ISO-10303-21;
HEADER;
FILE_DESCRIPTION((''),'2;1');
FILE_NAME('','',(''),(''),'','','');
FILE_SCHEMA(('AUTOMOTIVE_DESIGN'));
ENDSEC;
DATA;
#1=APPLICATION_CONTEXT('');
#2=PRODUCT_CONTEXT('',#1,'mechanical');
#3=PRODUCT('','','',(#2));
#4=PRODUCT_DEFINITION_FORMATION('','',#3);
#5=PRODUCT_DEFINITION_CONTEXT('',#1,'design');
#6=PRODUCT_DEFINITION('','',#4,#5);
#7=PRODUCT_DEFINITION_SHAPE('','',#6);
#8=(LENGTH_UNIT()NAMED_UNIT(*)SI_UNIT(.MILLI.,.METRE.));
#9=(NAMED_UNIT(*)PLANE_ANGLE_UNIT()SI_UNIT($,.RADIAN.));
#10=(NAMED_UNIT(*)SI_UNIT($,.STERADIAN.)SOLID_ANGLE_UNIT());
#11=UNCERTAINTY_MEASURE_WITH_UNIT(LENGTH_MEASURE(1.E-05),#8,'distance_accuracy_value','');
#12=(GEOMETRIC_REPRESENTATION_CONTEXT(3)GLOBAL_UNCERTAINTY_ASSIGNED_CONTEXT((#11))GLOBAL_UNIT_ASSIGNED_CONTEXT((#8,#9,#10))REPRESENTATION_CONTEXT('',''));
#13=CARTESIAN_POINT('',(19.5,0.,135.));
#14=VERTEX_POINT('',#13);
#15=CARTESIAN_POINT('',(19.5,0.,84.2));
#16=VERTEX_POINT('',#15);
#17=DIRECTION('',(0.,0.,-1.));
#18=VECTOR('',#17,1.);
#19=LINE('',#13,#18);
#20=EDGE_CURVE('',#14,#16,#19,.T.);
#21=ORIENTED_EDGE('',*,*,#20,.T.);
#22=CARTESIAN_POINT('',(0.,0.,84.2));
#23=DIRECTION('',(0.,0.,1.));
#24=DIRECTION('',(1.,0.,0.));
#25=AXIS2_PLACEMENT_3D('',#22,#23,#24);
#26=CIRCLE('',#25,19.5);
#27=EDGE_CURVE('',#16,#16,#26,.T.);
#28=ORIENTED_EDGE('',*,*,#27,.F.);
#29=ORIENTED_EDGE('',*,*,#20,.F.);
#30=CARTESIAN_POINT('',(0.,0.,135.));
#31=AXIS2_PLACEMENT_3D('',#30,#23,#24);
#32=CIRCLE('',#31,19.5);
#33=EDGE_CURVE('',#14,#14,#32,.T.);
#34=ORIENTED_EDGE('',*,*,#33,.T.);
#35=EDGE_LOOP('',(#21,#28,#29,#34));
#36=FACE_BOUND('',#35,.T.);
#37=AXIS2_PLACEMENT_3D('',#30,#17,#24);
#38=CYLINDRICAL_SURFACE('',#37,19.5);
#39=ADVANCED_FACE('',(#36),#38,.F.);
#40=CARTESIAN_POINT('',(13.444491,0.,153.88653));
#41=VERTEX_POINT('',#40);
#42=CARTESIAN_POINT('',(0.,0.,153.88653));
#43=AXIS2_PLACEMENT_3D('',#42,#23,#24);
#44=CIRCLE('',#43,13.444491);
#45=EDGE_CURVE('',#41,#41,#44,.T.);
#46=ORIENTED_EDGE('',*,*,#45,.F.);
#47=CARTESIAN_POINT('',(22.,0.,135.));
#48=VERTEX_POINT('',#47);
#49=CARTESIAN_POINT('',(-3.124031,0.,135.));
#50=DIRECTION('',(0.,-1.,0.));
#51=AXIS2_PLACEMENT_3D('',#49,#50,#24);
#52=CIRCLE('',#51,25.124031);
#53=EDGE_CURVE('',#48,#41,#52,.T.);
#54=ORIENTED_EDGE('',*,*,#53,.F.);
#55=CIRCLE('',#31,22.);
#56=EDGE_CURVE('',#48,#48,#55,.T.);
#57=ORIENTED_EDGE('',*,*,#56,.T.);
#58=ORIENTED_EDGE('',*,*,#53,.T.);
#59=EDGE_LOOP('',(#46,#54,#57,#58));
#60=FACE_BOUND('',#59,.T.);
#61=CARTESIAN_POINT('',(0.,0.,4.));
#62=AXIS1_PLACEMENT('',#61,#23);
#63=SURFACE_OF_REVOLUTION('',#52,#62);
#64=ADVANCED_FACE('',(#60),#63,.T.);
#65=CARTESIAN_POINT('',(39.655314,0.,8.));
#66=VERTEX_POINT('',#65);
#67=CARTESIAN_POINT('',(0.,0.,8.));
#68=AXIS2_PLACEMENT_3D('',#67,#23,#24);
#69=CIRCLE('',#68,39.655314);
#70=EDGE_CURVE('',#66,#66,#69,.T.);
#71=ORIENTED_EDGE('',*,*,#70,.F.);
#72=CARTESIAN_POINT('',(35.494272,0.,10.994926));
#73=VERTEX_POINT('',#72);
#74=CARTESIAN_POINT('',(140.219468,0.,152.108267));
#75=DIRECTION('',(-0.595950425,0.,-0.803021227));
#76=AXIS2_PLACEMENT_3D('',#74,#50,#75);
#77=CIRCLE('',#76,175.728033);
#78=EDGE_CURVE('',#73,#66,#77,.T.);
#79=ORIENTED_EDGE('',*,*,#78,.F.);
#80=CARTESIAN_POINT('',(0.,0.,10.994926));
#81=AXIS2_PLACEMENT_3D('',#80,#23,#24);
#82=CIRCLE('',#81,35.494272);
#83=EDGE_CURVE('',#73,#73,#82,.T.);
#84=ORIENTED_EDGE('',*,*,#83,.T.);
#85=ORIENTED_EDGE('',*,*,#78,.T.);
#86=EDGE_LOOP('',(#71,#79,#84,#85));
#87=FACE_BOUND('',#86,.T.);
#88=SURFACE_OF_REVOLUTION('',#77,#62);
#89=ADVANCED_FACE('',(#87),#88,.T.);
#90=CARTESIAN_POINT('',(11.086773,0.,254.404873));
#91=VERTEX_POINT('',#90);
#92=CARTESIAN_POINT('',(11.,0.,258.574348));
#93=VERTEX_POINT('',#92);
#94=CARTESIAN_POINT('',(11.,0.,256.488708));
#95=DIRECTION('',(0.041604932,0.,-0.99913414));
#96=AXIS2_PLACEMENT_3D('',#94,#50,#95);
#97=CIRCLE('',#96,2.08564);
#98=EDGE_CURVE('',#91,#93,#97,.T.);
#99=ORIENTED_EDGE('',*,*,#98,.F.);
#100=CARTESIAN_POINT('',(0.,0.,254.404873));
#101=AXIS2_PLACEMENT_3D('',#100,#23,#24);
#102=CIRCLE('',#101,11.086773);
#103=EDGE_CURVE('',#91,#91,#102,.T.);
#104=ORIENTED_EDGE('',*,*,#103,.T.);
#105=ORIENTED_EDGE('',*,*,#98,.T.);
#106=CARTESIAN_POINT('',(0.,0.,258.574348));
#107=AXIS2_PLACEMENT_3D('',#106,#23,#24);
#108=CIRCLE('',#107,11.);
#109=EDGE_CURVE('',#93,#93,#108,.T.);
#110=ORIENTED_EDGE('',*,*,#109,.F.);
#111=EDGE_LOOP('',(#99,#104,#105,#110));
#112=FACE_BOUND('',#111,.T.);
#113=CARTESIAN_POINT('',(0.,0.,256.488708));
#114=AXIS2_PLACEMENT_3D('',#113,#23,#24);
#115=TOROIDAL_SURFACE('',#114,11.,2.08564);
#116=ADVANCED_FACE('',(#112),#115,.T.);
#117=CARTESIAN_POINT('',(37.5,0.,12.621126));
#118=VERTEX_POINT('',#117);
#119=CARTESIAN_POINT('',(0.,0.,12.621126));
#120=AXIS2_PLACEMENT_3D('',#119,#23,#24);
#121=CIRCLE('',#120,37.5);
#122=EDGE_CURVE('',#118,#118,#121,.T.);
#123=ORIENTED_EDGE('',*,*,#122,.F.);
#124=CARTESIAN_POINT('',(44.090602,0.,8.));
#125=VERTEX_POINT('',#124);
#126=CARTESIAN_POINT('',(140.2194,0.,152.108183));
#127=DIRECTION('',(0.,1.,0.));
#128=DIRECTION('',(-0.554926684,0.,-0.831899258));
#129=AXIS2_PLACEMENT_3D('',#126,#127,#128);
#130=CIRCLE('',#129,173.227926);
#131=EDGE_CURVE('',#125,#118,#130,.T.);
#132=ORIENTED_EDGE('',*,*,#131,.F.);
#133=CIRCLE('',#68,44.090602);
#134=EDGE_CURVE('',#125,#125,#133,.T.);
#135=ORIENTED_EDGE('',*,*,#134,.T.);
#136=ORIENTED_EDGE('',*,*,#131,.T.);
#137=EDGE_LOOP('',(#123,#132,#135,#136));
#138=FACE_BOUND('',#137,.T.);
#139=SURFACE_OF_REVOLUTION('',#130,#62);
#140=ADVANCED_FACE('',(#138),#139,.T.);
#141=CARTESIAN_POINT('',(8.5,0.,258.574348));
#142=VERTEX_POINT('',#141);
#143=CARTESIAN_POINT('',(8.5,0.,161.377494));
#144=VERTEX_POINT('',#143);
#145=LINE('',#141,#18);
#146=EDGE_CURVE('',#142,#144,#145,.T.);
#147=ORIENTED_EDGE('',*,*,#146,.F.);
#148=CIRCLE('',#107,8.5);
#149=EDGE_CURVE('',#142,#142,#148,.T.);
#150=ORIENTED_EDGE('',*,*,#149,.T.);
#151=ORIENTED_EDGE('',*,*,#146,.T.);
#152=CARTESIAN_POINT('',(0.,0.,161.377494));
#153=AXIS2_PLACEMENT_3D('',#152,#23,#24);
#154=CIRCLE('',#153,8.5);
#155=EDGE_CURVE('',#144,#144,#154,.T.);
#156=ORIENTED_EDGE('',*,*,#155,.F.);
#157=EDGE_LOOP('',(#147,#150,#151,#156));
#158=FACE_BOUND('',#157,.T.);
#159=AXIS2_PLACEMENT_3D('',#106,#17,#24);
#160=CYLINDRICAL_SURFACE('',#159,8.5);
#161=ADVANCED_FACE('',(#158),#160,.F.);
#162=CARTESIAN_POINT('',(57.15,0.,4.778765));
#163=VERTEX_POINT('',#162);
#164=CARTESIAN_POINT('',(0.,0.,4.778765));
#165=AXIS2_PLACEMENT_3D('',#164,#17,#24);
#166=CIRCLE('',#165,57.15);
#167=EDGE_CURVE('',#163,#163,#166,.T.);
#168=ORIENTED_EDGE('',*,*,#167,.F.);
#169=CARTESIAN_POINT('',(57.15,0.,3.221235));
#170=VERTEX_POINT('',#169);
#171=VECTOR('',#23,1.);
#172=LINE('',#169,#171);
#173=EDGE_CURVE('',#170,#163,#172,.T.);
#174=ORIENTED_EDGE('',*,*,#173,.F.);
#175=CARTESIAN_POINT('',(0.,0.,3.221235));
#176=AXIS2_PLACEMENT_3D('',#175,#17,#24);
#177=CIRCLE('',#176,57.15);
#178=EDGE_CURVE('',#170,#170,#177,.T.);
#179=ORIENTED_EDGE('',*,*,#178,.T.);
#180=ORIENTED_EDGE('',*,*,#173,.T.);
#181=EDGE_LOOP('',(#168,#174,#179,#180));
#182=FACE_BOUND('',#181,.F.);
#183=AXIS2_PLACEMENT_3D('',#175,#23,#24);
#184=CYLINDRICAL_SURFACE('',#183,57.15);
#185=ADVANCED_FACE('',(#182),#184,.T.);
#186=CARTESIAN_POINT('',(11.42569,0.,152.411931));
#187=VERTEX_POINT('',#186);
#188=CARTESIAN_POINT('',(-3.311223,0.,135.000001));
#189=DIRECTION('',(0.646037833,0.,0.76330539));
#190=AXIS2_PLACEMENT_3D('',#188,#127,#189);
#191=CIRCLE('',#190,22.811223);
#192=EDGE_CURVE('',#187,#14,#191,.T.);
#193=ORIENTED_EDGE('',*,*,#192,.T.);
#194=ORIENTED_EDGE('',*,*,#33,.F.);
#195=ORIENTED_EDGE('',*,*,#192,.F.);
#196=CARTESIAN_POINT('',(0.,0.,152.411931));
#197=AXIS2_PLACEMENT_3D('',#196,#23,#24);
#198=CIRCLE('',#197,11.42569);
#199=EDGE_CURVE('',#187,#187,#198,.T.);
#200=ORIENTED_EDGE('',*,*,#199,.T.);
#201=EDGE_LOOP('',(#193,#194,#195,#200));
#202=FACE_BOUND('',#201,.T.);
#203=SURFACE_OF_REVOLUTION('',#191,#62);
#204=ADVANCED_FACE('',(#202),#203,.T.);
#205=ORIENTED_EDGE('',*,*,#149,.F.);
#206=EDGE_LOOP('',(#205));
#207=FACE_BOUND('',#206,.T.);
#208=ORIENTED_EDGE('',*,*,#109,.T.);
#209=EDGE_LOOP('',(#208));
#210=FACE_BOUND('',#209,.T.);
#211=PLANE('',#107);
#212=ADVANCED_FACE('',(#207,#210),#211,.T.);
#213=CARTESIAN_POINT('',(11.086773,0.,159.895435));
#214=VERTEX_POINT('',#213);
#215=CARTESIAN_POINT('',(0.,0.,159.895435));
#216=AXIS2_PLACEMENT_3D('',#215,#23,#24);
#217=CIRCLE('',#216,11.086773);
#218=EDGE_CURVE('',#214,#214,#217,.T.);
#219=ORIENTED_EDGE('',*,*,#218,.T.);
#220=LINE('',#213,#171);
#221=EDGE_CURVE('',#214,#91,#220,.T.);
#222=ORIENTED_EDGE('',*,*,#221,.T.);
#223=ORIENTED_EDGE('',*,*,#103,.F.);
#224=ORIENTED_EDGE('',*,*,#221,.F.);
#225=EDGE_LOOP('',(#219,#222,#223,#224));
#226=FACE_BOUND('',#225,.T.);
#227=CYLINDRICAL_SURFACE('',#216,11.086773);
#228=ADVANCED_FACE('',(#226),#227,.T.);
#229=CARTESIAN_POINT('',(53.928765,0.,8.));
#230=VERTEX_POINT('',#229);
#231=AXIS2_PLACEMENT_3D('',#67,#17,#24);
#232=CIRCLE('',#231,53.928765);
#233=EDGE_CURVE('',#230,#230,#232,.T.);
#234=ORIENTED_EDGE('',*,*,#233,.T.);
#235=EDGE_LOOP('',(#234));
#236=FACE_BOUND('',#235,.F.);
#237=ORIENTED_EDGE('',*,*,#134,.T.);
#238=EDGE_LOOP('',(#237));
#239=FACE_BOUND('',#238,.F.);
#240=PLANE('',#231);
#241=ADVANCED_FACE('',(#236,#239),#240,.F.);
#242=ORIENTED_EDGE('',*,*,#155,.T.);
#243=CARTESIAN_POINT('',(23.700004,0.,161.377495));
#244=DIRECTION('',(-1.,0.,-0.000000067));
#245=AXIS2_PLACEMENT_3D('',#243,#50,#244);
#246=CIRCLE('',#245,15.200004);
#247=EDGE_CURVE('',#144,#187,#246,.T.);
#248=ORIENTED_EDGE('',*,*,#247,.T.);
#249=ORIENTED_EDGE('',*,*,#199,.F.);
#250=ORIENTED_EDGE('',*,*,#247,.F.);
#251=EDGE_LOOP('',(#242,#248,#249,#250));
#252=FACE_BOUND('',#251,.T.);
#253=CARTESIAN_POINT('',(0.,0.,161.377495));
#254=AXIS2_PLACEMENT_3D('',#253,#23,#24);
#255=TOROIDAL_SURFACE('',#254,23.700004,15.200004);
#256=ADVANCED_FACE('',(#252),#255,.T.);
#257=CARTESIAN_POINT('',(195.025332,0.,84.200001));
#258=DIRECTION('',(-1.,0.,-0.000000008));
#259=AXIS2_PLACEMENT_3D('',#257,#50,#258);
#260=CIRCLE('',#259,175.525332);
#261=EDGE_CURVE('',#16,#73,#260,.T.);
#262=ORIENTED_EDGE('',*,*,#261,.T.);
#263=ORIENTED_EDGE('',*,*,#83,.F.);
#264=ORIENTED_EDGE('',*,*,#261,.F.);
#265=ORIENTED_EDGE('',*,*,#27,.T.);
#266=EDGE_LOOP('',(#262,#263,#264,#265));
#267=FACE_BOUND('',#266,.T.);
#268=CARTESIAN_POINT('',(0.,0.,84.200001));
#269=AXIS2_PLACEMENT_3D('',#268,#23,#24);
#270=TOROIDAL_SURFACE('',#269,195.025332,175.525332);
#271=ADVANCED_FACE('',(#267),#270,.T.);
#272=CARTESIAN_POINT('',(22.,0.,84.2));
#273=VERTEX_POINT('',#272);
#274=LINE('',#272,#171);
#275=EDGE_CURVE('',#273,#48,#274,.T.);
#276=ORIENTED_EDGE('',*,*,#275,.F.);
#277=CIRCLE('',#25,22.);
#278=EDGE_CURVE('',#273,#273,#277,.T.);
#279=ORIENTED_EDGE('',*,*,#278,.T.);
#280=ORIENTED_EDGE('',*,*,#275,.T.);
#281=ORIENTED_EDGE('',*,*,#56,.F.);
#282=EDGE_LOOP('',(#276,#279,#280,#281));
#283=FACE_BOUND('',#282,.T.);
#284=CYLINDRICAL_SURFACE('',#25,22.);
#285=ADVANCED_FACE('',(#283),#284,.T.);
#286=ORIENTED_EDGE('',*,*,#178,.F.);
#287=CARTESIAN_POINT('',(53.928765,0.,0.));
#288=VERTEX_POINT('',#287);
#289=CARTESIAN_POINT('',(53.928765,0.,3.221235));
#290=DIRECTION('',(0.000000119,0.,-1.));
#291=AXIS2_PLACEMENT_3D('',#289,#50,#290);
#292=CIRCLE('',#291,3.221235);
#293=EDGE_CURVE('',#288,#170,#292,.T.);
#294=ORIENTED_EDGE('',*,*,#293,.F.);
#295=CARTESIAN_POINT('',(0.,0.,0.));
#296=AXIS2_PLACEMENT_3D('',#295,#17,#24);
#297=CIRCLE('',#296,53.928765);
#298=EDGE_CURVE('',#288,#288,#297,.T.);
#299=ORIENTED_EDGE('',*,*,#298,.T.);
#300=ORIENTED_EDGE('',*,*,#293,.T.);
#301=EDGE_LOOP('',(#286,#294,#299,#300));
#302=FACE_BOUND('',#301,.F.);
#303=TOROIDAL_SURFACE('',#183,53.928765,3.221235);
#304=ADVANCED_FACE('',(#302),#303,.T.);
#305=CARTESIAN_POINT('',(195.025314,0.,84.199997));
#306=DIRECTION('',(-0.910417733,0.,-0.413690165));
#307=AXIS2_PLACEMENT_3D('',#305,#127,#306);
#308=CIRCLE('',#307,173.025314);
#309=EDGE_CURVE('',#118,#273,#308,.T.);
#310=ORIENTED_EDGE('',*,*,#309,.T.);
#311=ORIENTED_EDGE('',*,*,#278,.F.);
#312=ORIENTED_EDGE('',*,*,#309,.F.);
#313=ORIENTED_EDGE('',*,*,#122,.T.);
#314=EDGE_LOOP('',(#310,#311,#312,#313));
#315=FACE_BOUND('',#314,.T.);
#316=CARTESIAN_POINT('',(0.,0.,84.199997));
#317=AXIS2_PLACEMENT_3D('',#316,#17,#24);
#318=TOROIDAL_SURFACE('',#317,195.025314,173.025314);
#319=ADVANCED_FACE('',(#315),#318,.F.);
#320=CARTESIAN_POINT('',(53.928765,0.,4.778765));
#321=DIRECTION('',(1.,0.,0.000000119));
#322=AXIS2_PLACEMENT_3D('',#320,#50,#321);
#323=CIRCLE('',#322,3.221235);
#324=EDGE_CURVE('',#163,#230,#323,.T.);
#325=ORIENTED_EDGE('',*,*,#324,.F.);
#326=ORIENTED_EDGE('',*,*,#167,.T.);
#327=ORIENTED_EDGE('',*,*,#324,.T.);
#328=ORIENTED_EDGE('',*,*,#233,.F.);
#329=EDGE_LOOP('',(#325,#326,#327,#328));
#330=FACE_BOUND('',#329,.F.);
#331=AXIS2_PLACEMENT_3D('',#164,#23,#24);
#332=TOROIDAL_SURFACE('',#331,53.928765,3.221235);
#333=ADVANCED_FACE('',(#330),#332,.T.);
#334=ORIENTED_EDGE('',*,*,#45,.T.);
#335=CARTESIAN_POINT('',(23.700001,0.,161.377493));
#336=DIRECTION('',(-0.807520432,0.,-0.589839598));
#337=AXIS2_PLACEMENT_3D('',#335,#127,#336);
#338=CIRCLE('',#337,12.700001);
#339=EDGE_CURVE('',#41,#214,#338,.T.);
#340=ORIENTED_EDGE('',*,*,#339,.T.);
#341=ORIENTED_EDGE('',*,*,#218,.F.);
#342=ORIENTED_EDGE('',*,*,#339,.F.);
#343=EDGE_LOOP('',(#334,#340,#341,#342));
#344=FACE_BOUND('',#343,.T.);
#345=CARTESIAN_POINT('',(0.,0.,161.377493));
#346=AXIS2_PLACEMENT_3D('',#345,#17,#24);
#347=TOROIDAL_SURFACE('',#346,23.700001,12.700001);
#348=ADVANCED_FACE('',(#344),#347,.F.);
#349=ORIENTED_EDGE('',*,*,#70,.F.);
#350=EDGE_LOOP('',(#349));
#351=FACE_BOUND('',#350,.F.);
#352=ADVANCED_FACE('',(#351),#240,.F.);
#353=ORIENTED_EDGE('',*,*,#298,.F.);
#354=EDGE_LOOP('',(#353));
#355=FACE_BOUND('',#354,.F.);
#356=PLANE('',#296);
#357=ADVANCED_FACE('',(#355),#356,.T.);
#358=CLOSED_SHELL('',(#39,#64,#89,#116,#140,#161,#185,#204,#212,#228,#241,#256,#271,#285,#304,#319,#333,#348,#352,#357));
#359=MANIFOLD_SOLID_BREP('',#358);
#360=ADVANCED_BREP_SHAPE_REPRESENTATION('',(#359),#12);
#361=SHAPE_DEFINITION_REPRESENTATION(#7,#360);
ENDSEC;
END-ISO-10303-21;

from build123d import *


with BuildPart() as f2:
    # F1 (on Front) → F2 (revolve)
    with BuildSketch(Plane.XZ):
        with BuildLine():
            Line((0, 8), (0, 0))
            Line((0, 0), (53.928765, 0))
            ThreePointArc((53.928765, 0), (56.206522, 0.943478), (57.15, 3.221235))
            Line((57.15, 3.221235), (57.15, 4.778765))
            ThreePointArc((57.15, 4.778765), (56.206522, 7.056522), (53.928765, 8))
            Line((53.928765, 8), (0, 8))
        make_face()
    revolve(axis=Axis((0, 0, 4), (0, 0, -1)))

    # F0 (on Front) → F3 (revolve)
    with BuildSketch(Plane.XZ):
        with BuildLine():
            ThreePointArc((37.5, 12.621126), (25.919391, 47.581066), (22, 84.2))
            Line((22, 84.2), (22, 135))
            ThreePointArc((22, 135), (19.76139, 145.366988), (13.444491, 153.88653))
            ThreePointArc((13.444491, 153.88653), (11.8775, 156.738691), (11.086773, 159.895435))
            Line((11.086773, 159.895435), (11.086773, 254.404873))
            ThreePointArc((11.086773, 254.404873), (13.085189, 256.532103), (11, 258.574348))
            Line((11, 258.574348), (8.5, 258.574348))
            Line((8.5, 258.574348), (8.5, 161.377494))
            ThreePointArc((8.5, 161.377494), (9.249922, 156.662068), (11.42569, 152.411931))
            ThreePointArc((11.42569, 152.411931), (17.383208, 144.596481), (19.5, 135))
            Line((19.5, 135), (19.5, 84.2))
            ThreePointArc((19.5, 84.2), (23.545181, 46.734017), (35.494272, 10.994926))
            ThreePointArc((35.494272, 10.994926), (37.56387, 9.482288), (39.655314, 8))
            Line((39.655314, 8), (44.090602, 8))
            ThreePointArc((44.090602, 8), (40.768456, 10.272278), (37.5, 12.621126))
        make_face()
    revolve(axis=Axis((0, 0, 4), (0, 0, 1)))


solid = f2.part
